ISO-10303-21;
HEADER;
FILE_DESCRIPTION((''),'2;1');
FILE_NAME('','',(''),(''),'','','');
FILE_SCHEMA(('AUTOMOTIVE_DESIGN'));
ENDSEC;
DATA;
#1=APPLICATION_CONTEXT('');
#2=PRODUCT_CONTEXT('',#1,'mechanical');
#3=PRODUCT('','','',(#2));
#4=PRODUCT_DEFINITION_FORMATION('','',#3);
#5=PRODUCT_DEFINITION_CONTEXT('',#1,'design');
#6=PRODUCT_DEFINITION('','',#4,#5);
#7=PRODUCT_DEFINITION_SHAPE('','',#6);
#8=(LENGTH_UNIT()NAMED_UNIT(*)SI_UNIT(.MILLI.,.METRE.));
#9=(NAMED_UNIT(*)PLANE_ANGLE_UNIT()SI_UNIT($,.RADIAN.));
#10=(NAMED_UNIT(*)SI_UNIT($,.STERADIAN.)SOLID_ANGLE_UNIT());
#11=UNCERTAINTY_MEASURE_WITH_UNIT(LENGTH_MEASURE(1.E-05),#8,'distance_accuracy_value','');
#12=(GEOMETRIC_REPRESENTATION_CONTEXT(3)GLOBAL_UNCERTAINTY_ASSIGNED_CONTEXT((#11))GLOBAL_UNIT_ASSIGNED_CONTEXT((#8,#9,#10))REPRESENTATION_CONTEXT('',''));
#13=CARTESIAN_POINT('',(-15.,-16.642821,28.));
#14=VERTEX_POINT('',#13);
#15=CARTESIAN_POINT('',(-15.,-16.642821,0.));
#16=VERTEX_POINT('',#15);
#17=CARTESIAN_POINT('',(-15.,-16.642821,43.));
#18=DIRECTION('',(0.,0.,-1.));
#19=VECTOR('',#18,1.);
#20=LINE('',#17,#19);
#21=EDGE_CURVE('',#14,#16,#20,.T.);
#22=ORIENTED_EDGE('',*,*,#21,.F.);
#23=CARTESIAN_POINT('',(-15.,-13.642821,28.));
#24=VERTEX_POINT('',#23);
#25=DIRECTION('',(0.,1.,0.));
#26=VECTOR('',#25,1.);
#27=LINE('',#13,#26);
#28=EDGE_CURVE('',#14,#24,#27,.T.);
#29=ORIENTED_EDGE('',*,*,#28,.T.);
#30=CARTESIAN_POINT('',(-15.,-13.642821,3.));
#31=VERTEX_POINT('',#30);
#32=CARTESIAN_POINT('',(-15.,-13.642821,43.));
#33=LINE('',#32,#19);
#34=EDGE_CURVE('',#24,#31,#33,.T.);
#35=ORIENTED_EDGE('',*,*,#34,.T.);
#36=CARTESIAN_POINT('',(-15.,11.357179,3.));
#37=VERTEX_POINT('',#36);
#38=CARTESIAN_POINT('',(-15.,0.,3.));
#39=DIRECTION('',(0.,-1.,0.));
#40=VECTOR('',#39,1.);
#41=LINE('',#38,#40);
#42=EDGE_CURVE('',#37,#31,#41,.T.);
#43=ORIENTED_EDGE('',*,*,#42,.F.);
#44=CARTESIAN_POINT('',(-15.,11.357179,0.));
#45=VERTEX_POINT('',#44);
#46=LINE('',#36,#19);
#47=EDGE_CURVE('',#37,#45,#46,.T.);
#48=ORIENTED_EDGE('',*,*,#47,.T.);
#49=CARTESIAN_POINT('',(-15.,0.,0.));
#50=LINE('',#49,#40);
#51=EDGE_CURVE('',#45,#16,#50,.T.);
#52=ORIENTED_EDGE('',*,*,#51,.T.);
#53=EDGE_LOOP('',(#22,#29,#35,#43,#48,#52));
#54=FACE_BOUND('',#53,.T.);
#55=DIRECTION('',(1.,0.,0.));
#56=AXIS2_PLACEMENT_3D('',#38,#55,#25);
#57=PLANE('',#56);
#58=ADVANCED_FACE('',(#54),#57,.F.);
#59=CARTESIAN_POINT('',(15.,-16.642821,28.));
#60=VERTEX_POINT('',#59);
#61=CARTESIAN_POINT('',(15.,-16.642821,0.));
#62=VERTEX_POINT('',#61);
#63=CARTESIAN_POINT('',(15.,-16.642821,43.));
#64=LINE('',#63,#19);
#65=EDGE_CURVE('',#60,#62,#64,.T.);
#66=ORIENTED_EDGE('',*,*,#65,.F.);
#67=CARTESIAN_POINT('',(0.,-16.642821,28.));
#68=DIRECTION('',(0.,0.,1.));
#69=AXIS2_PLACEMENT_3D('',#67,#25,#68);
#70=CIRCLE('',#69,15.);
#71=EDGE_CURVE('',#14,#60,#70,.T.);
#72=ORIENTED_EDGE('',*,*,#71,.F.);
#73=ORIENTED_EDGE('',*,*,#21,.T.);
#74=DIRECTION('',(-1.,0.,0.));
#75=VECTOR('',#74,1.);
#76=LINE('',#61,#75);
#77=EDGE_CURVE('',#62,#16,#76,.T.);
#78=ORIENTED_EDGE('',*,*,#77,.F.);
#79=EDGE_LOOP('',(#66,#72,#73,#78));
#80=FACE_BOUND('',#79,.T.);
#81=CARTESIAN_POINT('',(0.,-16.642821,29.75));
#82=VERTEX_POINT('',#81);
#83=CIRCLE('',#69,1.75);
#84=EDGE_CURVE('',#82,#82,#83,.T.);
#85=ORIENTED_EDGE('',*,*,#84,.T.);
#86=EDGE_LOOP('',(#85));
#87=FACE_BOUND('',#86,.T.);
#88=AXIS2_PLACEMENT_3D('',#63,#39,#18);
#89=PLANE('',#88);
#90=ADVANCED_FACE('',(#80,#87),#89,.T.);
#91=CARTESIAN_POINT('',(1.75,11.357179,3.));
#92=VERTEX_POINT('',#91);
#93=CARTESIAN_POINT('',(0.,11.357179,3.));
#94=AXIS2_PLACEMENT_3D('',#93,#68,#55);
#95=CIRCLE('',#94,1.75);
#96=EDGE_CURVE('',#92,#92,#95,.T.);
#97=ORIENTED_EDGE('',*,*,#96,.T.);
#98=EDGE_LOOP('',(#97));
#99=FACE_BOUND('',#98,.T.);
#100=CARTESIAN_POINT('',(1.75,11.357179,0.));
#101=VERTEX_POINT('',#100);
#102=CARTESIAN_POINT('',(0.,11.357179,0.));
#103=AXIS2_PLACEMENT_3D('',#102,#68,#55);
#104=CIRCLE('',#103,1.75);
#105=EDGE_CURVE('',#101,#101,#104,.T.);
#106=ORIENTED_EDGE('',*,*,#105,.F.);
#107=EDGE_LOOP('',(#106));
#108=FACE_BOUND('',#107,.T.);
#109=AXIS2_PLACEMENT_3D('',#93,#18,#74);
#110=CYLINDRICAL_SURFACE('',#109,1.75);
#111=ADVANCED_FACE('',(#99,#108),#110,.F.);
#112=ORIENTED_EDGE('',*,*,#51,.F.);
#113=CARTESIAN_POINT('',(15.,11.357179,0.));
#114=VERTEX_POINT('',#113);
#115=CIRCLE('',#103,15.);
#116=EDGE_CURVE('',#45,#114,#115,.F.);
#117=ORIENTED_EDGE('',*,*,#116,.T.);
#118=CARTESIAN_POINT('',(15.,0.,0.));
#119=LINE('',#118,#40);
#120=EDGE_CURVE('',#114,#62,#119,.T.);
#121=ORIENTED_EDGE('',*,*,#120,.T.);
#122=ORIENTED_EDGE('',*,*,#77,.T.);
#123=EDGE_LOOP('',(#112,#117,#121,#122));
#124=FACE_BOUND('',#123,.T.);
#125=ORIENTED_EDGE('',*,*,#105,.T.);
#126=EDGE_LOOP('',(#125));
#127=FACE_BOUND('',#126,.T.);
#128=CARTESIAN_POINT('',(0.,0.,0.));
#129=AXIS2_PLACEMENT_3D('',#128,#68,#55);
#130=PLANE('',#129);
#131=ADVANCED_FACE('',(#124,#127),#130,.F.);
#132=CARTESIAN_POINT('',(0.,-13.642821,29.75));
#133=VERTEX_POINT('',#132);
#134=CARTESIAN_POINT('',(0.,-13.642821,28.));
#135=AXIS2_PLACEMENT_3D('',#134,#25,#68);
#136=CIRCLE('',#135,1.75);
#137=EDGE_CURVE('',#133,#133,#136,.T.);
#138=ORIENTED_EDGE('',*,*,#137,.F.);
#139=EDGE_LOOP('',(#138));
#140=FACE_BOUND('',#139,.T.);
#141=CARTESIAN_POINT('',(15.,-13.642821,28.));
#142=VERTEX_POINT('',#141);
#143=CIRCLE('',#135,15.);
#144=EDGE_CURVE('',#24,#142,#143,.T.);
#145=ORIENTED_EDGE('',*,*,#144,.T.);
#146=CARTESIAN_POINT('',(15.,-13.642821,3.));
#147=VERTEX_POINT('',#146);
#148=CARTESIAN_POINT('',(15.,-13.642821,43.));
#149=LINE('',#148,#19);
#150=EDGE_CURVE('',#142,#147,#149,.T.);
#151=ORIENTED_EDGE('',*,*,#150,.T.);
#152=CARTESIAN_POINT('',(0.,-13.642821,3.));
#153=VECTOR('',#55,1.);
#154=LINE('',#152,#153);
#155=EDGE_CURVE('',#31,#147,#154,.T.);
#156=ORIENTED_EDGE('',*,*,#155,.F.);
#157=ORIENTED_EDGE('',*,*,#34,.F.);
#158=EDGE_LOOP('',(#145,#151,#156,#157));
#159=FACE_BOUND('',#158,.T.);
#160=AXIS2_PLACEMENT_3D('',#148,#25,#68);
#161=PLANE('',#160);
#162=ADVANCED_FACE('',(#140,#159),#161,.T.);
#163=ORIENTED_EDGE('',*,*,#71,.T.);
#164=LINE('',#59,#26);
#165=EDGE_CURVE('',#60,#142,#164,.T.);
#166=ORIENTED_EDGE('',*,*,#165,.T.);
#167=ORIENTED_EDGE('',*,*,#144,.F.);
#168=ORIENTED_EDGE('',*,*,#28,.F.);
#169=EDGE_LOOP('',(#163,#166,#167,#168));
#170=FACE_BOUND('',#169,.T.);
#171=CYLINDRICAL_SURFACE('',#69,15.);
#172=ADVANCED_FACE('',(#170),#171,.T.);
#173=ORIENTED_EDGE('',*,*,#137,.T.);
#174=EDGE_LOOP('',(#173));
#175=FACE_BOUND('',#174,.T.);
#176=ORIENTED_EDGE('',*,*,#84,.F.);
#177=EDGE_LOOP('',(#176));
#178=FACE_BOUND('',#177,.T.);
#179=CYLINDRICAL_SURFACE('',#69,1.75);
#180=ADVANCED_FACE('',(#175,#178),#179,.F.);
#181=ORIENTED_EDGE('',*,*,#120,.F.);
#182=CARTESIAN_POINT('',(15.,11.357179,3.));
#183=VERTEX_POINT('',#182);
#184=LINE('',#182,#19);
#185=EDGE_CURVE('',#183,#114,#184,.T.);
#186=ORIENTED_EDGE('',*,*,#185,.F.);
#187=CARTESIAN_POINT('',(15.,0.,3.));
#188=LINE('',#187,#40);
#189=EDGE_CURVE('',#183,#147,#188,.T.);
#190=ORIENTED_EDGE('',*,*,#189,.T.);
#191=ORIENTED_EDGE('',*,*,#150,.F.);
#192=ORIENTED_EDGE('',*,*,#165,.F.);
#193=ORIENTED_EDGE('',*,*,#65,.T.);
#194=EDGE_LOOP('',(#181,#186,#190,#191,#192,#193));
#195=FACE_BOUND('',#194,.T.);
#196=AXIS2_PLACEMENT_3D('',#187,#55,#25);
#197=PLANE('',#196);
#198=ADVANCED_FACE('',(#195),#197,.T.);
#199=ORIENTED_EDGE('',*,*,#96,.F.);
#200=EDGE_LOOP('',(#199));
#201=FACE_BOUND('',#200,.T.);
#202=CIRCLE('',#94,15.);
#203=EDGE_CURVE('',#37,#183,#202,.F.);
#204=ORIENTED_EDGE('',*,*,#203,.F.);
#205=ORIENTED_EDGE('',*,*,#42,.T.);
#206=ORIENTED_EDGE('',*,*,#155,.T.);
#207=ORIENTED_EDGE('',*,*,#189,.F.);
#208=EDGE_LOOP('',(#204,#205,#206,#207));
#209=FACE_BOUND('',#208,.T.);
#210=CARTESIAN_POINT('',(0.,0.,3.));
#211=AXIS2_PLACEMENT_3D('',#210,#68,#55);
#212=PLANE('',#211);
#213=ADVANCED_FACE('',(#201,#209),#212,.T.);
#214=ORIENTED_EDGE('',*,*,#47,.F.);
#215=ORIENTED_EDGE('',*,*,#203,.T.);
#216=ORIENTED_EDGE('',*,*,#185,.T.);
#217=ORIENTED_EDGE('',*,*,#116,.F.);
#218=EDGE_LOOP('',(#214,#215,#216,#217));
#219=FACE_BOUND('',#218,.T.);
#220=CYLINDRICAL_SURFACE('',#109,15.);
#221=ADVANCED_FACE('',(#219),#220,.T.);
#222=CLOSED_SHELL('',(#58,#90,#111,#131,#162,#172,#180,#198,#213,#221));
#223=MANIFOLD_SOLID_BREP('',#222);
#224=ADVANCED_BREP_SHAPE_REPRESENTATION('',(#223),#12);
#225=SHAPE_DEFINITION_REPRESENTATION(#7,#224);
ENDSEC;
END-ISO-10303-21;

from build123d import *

# Parameters (mm, degrees)
ESBO_O1_R                  = 1.75
RESSALTO_EXTRUS_O1_DEPTH   = 3
ESBO_O2_W                  = 30
ESBO_O2_H                  = 3
RESSALTO_EXTRUS_O2_DEPTH   = 43
CORTE_EXTRUS_O1_DEPTH      = 61.613529843
CORTE_EXTRUS_O1_DEPTH_BACK = 61.613529843
ESBO_O4_R                  = 1.75
CORTE_EXTRUS_O2_DEPTH      = 61.613529843


with BuildPart() as part:
    # Esboço1 → Ressalto-extrusão1 (new body)
    with BuildSketch(Plane.XY):
        with BuildLine():
            Line((-15, 11.357178844), (-15, -13.642821156))
            Line((-15, -13.642821156), (15, -13.642821156))
            Line((15, -13.642821156), (15, 11.357178844))
            ThreePointArc((15, 11.357178844), (0, 26.357178844), (-15, 11.357178844))
        make_face()
        with Locations((0, 11.357178844)):
            Circle(ESBO_O1_R, mode=Mode.SUBTRACT)
    extrude(amount=RESSALTO_EXTRUS_O1_DEPTH)

    # Esboço2 → Ressalto-extrusão2 (add)
    with BuildSketch(Plane(origin=(0, 0, 0), x_dir=(-1, 0, 0), z_dir=(0, 0, -1))):
        with Locations((0, -15.142821156)):
            Rectangle(ESBO_O2_W, ESBO_O2_H)
    extrude(amount=-RESSALTO_EXTRUS_O2_DEPTH)

    # Esboço3 → Corte-extrusão1 (cut, two sides: drawn at the far end of the back side and taken through both)
    with BuildSketch(Plane(origin=(0, -13.642821156, 0), x_dir=(1, 0, 0), z_dir=(0, 1, 0)).offset(-CORTE_EXTRUS_O1_DEPTH_BACK)):
        with BuildLine():
            Line((15, -43), (15, -28))
            ThreePointArc((15, -28), (10.606601736, -38.606601699), (5.3e-08, -43))
            Line((5.3e-08, -43), (15, -43))
        make_face()
        with BuildLine():
            Line((-15, -43), (5.3e-08, -43))
            ThreePointArc((5.3e-08, -43), (-10.606601699, -38.606601736), (-15, -28))
            Line((-15, -28), (-15, -43))
        make_face()
    extrude(amount=CORTE_EXTRUS_O1_DEPTH + CORTE_EXTRUS_O1_DEPTH_BACK, mode=Mode.SUBTRACT)

    # Esboço4 → Corte-extrusão2 (cut, through all)
    with BuildSketch(Plane(origin=(0, -13.642821156, 0), x_dir=(1, 0, 0), z_dir=(0, 1, 0))):
        with Locations(Location((0, -28, 0), (0, 0, 270))):
            Circle(ESBO_O4_R)
    extrude(amount=-CORTE_EXTRUS_O2_DEPTH, mode=Mode.SUBTRACT)


solid = part.part
